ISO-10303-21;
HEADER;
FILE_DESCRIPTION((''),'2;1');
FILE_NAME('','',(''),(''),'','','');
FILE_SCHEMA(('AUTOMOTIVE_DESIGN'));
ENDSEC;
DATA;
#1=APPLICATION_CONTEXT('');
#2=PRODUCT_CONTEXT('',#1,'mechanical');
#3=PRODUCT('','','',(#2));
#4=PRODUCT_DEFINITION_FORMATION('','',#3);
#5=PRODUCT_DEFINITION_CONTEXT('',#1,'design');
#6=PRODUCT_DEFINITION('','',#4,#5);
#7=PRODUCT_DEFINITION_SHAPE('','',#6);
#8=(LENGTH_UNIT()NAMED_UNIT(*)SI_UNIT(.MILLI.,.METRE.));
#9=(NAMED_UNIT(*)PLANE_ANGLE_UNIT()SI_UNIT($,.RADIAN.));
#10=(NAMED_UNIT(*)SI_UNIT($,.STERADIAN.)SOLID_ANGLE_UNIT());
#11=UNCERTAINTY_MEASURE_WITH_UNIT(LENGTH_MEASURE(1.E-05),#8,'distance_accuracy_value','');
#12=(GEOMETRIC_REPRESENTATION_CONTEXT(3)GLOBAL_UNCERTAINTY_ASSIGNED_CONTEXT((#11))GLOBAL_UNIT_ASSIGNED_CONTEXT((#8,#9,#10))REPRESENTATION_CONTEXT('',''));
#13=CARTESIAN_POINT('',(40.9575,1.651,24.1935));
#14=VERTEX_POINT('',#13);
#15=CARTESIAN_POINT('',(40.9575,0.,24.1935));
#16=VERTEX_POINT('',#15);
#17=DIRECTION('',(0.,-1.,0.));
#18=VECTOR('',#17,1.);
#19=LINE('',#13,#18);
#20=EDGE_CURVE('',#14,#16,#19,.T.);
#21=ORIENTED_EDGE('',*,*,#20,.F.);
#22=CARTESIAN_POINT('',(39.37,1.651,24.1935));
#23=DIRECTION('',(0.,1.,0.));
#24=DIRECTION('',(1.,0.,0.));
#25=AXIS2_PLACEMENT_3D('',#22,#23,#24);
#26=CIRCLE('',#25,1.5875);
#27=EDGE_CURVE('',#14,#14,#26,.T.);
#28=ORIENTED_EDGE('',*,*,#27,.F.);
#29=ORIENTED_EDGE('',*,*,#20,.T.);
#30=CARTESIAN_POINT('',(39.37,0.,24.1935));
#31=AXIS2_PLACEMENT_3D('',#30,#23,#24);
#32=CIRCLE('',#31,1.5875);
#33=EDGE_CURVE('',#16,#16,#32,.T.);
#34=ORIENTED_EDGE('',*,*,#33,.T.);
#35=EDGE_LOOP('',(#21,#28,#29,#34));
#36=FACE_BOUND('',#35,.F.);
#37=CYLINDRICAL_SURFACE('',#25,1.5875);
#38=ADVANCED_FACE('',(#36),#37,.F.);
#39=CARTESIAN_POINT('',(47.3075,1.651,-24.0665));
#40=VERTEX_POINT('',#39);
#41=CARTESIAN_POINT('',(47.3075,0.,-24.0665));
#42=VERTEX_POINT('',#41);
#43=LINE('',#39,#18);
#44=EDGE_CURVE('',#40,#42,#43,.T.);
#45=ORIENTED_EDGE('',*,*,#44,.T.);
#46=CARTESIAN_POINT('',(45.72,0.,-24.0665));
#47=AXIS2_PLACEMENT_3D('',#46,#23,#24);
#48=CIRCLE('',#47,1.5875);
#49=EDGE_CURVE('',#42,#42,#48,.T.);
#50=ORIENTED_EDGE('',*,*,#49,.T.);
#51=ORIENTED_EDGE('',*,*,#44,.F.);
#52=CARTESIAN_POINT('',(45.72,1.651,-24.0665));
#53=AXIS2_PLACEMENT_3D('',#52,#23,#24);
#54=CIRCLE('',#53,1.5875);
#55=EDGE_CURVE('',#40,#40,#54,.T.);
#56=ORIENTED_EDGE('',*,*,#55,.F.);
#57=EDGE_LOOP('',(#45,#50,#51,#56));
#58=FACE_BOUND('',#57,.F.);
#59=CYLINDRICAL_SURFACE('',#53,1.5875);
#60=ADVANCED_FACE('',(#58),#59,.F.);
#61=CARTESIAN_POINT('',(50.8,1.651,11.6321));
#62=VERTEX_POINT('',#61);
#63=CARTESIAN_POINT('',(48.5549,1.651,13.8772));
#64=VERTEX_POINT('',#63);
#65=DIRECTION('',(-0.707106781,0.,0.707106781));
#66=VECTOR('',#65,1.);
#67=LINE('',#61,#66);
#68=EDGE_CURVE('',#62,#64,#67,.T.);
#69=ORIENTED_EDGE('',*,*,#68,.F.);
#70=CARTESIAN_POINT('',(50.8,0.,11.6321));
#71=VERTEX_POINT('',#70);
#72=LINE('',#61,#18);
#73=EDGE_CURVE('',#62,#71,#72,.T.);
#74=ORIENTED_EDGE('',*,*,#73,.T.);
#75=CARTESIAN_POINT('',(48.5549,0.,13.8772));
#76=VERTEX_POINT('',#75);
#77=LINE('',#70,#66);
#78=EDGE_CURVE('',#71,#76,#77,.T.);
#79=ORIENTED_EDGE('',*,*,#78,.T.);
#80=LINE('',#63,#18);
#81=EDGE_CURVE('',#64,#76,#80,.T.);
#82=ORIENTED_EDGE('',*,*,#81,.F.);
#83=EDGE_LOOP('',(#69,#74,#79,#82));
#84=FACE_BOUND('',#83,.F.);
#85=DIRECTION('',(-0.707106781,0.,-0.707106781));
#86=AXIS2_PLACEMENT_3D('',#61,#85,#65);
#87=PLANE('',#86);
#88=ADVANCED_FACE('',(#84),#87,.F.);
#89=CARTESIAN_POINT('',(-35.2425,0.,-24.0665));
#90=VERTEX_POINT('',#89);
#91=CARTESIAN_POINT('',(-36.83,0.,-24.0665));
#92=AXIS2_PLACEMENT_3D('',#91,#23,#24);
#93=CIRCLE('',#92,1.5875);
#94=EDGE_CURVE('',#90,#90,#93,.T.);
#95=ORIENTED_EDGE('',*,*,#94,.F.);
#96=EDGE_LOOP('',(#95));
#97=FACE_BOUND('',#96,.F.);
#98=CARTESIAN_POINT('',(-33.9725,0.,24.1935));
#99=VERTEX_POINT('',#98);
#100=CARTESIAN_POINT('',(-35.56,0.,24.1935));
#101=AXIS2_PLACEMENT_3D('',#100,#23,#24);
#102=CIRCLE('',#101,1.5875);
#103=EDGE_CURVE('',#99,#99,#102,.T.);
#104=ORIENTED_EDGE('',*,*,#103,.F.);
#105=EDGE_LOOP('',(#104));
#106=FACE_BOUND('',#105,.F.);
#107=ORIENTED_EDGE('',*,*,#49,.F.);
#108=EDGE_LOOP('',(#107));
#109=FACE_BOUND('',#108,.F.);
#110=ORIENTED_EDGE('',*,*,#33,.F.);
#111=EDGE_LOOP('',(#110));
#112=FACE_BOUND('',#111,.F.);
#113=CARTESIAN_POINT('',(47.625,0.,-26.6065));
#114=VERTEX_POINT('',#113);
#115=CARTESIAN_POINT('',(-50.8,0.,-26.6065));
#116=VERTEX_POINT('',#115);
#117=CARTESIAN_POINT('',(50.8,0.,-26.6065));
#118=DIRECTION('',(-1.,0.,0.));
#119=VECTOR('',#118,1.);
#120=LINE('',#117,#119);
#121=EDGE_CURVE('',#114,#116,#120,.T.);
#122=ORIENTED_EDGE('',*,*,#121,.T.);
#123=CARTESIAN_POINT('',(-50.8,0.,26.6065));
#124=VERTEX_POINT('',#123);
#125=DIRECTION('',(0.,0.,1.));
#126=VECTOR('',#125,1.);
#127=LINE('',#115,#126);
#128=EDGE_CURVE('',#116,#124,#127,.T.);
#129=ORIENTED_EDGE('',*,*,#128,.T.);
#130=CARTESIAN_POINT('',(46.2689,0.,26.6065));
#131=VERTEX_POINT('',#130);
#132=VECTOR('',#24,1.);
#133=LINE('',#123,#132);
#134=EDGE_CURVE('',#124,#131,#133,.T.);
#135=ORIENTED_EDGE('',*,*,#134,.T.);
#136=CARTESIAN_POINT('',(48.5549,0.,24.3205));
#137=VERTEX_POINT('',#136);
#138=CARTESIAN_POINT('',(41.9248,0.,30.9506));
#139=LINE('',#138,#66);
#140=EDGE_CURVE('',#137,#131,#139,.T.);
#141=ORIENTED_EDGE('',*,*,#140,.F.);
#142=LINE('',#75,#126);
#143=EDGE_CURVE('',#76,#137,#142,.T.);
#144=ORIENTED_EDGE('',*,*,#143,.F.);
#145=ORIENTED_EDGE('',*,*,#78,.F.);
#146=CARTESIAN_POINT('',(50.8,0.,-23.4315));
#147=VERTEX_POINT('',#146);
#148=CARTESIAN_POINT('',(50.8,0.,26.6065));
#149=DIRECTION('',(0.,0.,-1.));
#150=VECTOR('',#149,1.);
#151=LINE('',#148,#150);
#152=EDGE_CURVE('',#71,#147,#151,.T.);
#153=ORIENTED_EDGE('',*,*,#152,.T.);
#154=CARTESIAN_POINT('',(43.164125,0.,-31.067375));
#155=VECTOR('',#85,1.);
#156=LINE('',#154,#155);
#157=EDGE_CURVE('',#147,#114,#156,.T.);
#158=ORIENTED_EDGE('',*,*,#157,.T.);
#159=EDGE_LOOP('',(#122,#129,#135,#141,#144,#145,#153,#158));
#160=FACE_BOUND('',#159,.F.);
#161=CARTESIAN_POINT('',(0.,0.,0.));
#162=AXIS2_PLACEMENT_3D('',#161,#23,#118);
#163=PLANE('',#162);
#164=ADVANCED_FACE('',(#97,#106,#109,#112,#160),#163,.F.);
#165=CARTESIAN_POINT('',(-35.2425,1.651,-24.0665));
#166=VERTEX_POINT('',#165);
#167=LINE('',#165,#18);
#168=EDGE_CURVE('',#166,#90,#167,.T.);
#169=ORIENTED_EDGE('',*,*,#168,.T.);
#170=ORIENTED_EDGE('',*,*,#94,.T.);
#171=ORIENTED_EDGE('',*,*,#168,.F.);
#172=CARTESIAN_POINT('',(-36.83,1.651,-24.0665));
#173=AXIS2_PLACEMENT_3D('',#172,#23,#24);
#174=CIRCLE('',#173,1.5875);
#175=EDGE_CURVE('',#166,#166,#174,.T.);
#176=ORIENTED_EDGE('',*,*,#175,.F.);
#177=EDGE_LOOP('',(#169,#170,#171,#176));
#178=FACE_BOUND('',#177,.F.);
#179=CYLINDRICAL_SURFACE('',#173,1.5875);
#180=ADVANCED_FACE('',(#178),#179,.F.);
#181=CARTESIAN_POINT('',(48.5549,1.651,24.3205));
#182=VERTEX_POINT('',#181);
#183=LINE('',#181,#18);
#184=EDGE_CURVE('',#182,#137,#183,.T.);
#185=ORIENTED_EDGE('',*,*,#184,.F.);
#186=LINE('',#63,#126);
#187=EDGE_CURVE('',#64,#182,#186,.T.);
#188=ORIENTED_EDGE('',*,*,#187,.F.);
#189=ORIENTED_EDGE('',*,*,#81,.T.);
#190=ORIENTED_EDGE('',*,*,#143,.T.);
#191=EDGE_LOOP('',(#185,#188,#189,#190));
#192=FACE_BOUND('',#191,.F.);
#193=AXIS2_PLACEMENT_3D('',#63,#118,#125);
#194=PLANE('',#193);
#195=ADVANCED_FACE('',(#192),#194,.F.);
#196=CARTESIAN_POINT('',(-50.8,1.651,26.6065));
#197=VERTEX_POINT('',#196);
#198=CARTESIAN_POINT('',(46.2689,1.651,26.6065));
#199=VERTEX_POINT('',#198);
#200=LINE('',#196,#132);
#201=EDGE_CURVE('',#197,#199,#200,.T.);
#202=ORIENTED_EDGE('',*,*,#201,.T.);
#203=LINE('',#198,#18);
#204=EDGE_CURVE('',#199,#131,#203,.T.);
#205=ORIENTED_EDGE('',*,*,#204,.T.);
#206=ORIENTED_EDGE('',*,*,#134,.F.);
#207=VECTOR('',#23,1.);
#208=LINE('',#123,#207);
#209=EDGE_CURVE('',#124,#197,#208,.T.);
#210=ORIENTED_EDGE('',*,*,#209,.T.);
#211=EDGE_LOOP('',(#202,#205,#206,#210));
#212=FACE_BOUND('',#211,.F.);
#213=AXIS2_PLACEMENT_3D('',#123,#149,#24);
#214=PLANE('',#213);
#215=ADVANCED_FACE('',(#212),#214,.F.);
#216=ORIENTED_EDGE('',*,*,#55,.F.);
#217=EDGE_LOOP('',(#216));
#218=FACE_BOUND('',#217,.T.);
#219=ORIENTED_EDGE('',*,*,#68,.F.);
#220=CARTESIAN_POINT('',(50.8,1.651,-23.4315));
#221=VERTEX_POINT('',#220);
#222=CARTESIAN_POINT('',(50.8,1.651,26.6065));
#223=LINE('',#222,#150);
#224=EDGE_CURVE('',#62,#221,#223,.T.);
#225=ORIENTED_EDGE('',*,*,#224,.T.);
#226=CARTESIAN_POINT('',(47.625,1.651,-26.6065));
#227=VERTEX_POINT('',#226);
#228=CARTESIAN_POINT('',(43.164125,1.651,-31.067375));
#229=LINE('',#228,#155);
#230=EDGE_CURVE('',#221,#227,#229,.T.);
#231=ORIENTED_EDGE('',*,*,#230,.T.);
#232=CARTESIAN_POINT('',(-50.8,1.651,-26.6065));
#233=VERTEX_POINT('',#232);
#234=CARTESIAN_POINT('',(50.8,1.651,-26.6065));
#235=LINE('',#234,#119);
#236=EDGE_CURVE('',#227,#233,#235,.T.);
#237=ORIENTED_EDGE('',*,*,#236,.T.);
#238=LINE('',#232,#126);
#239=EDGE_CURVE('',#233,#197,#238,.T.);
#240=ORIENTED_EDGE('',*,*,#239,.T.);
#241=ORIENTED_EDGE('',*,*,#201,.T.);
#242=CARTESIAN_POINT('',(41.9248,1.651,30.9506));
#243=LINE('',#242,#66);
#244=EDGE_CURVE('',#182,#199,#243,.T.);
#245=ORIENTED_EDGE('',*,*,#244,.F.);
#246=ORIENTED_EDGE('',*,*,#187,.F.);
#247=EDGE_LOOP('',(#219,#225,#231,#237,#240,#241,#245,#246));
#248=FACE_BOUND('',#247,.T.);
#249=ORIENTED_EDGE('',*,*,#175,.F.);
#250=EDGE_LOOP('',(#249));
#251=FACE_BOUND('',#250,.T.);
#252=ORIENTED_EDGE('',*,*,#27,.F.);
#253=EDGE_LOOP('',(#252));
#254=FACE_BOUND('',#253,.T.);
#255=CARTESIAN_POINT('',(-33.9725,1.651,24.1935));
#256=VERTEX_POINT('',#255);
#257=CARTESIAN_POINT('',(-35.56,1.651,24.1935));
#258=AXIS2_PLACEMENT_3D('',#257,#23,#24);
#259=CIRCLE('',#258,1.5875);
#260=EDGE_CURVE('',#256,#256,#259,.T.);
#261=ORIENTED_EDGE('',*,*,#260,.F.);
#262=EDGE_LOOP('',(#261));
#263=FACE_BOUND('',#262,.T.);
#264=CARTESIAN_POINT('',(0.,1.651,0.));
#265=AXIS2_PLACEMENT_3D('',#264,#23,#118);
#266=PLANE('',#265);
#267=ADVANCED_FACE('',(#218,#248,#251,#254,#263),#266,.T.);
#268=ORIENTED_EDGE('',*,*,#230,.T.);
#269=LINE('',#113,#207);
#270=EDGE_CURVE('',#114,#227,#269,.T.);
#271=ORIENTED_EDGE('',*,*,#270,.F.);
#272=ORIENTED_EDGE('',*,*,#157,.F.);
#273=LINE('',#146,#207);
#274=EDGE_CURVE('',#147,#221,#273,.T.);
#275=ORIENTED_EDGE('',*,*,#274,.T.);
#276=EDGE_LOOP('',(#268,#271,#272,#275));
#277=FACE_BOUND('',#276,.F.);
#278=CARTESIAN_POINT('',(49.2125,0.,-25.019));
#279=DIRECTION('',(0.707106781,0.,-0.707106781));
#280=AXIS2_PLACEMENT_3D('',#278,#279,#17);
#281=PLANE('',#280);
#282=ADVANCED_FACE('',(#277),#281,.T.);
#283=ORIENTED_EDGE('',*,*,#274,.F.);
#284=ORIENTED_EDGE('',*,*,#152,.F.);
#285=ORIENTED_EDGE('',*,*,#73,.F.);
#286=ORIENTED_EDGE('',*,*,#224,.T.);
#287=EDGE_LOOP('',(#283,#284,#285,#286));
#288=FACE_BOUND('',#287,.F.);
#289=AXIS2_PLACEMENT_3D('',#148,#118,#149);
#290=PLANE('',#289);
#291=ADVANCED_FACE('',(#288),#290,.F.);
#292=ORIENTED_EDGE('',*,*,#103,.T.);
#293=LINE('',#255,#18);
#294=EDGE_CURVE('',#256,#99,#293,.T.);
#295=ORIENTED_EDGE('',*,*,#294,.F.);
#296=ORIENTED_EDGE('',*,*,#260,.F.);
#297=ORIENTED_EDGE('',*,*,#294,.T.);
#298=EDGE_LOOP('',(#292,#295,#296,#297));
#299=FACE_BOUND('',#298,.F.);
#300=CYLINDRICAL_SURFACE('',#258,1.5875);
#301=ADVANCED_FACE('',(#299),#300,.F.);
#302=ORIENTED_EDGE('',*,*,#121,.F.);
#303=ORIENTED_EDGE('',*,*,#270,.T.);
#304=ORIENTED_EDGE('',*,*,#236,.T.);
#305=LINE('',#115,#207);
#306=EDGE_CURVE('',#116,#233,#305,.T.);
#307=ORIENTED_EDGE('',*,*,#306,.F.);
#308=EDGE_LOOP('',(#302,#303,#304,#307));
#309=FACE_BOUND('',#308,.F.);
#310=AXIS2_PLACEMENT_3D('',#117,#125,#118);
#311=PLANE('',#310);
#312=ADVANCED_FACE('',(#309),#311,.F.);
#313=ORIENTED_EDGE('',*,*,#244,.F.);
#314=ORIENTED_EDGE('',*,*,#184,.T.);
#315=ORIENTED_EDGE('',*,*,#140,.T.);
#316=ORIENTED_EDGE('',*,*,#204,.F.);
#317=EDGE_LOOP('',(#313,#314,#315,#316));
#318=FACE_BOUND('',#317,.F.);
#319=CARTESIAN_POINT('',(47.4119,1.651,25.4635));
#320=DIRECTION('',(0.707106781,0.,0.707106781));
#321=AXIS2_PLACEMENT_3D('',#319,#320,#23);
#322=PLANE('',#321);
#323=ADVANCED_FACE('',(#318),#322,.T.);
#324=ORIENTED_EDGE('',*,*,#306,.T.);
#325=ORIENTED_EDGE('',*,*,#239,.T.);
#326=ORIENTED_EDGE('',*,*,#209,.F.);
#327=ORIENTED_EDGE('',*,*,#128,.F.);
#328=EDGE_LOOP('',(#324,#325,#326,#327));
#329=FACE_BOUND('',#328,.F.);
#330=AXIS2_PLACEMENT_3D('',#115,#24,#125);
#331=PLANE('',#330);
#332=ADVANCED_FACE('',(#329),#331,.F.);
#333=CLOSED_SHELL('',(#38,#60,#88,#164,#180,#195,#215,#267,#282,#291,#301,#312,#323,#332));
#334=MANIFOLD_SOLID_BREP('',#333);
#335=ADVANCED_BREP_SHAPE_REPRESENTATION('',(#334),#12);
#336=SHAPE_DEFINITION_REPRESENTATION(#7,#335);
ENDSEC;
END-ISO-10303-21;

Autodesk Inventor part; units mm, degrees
ref_plane "YZ Plane" through (0, 0, 0) normal (1, 0, 0) x (0, 1, 0)
ref_plane "XZ Plane" through (0, 0, 0) normal (0, 1, 0) x (-1, 0, 0)
ref_plane "XY Plane" through (0, 0, 0) normal (0, 0, 1) x (1, 0, 0)
sketch "Sketch1" plane through (0, 0, 0) normal (0, 1, 0) x (-1, 0, 0)
  line L0 (-50.8, -26.6065) -> (50.8, -26.6065)
  line L1 (50.8, -26.6065) -> (50.8, 26.6065)
  line L2 (50.8, 26.6065) -> (-50.8, 26.6065)
  line L3 (-50.8, 26.6065) -> (-50.8, -26.6065)
  line L4 (-50.8, -26.6065) -> (50.8, 26.6065) construction
  line L5 (50.8, -26.6065) -> (-50.8, 26.6065) construction
  point P0 (0, 0)
  dimension "d0" = 101.6
  dimension "d1" = 53.213
extrude "Extrusion1" add sketch "Sketch1" along normal blind 1.651
sketch "Sketch3" plane through (0, 1.651, 0) normal (0, 1, 0) x (1, 0, 0)
  line L0 (50.8, 26.6065) -> (-50.8, 26.6065) projected
  line L1 (-50.8, 26.6065) -> (-50.8, -26.6065) projected
  circle A0 centre (-36.83, 24.0665) radius 1.5875
  circle A1 centre (45.72, 24.0665) radius 1.5875
  circle A2 centre (-35.56, -24.1935) radius 1.5875
  circle A3 centre (39.37, -24.1935) radius 1.5875
  point P0 (0, 0)
  dimension "d4" = 3.175
  dimension "d5" = 2.54
  dimension "d6" = 13.97
  dimension "d7" = 3.175
  dimension "d10" = 3.175
  dimension "d12" = 3.175
  dimension "d35" = 50.8
  dimension "d36" = 15.24
  dimension "d37" = 2.54
  dimension "d38" = 96.52
  dimension "d39" = 50.8
  dimension "d40" = 90.17
extrude "Extrusion2" cut sketch "Sketch3" against normal blind 1.651
chamfer "Chamfer1" distance 3.175 angle 45 1 edges at (50.8, 0.8255, -26.6065) measured on face at (16.9333, 0.5503, -26.6065)
sketch "Sketch5" plane through (0, 1.651, 0) normal (0, 1, 0) x (1, 0, 0)
  line L0 (-50.8, 26.6065) -> (50.6857, 26.8236) construction
  line L1 (50.6857, 26.8236) -> (50.8, -26.6065) construction
  line L2 (50.8, -26.6065) -> (-50.6857, -26.8236) construction
  line L3 (-50.6857, -26.8236) -> (-50.8, 26.6065) construction
  point P0 (0, 0)
decal "Decal1"
sketch "Sketch6" plane through (0, 1.651, 0) normal (0, 1, 0) x (1, 0, 0)
  line L0 (47.625, 26.6065) -> (50.8, 23.4315) projected
  line L1 (-50.8, -26.6065) -> (50.8, -26.6065) projected
  line L2 (50.8, -26.6065) -> (50.8, 23.4315) projected
  line L3 (50.8, -11.6321) -> (48.5549, -13.8772)
  line L4 (48.5549, -13.8772) -> (48.5549, -26.6065)
  point P0 (0, 0)
extrude "Extrusion3" cut sketch "Sketch6" against normal blind 1.651
chamfer "Chamfer2" distance 2.286 angle 45 1 edges at (48.5549, 0.8255, 26.6065)
sketch "Sketch7" plane through (0, 0, 0) normal (0, -1, 0) x (1, 0, 0)
  line L0 (-50.8, 26.6065) -> (50.7588, 26.6844) construction
  line L1 (50.7588, 26.6844) -> (50.8, -27.0821) construction
  line L2 (50.8, -27.0821) -> (-50.7588, -27.1599) construction
  line L3 (-50.7588, -27.1599) -> (-50.8, 26.6065) construction
  point P0 (0, 0)
decal "Decal2"
properties part number "PCB-FIXED"
